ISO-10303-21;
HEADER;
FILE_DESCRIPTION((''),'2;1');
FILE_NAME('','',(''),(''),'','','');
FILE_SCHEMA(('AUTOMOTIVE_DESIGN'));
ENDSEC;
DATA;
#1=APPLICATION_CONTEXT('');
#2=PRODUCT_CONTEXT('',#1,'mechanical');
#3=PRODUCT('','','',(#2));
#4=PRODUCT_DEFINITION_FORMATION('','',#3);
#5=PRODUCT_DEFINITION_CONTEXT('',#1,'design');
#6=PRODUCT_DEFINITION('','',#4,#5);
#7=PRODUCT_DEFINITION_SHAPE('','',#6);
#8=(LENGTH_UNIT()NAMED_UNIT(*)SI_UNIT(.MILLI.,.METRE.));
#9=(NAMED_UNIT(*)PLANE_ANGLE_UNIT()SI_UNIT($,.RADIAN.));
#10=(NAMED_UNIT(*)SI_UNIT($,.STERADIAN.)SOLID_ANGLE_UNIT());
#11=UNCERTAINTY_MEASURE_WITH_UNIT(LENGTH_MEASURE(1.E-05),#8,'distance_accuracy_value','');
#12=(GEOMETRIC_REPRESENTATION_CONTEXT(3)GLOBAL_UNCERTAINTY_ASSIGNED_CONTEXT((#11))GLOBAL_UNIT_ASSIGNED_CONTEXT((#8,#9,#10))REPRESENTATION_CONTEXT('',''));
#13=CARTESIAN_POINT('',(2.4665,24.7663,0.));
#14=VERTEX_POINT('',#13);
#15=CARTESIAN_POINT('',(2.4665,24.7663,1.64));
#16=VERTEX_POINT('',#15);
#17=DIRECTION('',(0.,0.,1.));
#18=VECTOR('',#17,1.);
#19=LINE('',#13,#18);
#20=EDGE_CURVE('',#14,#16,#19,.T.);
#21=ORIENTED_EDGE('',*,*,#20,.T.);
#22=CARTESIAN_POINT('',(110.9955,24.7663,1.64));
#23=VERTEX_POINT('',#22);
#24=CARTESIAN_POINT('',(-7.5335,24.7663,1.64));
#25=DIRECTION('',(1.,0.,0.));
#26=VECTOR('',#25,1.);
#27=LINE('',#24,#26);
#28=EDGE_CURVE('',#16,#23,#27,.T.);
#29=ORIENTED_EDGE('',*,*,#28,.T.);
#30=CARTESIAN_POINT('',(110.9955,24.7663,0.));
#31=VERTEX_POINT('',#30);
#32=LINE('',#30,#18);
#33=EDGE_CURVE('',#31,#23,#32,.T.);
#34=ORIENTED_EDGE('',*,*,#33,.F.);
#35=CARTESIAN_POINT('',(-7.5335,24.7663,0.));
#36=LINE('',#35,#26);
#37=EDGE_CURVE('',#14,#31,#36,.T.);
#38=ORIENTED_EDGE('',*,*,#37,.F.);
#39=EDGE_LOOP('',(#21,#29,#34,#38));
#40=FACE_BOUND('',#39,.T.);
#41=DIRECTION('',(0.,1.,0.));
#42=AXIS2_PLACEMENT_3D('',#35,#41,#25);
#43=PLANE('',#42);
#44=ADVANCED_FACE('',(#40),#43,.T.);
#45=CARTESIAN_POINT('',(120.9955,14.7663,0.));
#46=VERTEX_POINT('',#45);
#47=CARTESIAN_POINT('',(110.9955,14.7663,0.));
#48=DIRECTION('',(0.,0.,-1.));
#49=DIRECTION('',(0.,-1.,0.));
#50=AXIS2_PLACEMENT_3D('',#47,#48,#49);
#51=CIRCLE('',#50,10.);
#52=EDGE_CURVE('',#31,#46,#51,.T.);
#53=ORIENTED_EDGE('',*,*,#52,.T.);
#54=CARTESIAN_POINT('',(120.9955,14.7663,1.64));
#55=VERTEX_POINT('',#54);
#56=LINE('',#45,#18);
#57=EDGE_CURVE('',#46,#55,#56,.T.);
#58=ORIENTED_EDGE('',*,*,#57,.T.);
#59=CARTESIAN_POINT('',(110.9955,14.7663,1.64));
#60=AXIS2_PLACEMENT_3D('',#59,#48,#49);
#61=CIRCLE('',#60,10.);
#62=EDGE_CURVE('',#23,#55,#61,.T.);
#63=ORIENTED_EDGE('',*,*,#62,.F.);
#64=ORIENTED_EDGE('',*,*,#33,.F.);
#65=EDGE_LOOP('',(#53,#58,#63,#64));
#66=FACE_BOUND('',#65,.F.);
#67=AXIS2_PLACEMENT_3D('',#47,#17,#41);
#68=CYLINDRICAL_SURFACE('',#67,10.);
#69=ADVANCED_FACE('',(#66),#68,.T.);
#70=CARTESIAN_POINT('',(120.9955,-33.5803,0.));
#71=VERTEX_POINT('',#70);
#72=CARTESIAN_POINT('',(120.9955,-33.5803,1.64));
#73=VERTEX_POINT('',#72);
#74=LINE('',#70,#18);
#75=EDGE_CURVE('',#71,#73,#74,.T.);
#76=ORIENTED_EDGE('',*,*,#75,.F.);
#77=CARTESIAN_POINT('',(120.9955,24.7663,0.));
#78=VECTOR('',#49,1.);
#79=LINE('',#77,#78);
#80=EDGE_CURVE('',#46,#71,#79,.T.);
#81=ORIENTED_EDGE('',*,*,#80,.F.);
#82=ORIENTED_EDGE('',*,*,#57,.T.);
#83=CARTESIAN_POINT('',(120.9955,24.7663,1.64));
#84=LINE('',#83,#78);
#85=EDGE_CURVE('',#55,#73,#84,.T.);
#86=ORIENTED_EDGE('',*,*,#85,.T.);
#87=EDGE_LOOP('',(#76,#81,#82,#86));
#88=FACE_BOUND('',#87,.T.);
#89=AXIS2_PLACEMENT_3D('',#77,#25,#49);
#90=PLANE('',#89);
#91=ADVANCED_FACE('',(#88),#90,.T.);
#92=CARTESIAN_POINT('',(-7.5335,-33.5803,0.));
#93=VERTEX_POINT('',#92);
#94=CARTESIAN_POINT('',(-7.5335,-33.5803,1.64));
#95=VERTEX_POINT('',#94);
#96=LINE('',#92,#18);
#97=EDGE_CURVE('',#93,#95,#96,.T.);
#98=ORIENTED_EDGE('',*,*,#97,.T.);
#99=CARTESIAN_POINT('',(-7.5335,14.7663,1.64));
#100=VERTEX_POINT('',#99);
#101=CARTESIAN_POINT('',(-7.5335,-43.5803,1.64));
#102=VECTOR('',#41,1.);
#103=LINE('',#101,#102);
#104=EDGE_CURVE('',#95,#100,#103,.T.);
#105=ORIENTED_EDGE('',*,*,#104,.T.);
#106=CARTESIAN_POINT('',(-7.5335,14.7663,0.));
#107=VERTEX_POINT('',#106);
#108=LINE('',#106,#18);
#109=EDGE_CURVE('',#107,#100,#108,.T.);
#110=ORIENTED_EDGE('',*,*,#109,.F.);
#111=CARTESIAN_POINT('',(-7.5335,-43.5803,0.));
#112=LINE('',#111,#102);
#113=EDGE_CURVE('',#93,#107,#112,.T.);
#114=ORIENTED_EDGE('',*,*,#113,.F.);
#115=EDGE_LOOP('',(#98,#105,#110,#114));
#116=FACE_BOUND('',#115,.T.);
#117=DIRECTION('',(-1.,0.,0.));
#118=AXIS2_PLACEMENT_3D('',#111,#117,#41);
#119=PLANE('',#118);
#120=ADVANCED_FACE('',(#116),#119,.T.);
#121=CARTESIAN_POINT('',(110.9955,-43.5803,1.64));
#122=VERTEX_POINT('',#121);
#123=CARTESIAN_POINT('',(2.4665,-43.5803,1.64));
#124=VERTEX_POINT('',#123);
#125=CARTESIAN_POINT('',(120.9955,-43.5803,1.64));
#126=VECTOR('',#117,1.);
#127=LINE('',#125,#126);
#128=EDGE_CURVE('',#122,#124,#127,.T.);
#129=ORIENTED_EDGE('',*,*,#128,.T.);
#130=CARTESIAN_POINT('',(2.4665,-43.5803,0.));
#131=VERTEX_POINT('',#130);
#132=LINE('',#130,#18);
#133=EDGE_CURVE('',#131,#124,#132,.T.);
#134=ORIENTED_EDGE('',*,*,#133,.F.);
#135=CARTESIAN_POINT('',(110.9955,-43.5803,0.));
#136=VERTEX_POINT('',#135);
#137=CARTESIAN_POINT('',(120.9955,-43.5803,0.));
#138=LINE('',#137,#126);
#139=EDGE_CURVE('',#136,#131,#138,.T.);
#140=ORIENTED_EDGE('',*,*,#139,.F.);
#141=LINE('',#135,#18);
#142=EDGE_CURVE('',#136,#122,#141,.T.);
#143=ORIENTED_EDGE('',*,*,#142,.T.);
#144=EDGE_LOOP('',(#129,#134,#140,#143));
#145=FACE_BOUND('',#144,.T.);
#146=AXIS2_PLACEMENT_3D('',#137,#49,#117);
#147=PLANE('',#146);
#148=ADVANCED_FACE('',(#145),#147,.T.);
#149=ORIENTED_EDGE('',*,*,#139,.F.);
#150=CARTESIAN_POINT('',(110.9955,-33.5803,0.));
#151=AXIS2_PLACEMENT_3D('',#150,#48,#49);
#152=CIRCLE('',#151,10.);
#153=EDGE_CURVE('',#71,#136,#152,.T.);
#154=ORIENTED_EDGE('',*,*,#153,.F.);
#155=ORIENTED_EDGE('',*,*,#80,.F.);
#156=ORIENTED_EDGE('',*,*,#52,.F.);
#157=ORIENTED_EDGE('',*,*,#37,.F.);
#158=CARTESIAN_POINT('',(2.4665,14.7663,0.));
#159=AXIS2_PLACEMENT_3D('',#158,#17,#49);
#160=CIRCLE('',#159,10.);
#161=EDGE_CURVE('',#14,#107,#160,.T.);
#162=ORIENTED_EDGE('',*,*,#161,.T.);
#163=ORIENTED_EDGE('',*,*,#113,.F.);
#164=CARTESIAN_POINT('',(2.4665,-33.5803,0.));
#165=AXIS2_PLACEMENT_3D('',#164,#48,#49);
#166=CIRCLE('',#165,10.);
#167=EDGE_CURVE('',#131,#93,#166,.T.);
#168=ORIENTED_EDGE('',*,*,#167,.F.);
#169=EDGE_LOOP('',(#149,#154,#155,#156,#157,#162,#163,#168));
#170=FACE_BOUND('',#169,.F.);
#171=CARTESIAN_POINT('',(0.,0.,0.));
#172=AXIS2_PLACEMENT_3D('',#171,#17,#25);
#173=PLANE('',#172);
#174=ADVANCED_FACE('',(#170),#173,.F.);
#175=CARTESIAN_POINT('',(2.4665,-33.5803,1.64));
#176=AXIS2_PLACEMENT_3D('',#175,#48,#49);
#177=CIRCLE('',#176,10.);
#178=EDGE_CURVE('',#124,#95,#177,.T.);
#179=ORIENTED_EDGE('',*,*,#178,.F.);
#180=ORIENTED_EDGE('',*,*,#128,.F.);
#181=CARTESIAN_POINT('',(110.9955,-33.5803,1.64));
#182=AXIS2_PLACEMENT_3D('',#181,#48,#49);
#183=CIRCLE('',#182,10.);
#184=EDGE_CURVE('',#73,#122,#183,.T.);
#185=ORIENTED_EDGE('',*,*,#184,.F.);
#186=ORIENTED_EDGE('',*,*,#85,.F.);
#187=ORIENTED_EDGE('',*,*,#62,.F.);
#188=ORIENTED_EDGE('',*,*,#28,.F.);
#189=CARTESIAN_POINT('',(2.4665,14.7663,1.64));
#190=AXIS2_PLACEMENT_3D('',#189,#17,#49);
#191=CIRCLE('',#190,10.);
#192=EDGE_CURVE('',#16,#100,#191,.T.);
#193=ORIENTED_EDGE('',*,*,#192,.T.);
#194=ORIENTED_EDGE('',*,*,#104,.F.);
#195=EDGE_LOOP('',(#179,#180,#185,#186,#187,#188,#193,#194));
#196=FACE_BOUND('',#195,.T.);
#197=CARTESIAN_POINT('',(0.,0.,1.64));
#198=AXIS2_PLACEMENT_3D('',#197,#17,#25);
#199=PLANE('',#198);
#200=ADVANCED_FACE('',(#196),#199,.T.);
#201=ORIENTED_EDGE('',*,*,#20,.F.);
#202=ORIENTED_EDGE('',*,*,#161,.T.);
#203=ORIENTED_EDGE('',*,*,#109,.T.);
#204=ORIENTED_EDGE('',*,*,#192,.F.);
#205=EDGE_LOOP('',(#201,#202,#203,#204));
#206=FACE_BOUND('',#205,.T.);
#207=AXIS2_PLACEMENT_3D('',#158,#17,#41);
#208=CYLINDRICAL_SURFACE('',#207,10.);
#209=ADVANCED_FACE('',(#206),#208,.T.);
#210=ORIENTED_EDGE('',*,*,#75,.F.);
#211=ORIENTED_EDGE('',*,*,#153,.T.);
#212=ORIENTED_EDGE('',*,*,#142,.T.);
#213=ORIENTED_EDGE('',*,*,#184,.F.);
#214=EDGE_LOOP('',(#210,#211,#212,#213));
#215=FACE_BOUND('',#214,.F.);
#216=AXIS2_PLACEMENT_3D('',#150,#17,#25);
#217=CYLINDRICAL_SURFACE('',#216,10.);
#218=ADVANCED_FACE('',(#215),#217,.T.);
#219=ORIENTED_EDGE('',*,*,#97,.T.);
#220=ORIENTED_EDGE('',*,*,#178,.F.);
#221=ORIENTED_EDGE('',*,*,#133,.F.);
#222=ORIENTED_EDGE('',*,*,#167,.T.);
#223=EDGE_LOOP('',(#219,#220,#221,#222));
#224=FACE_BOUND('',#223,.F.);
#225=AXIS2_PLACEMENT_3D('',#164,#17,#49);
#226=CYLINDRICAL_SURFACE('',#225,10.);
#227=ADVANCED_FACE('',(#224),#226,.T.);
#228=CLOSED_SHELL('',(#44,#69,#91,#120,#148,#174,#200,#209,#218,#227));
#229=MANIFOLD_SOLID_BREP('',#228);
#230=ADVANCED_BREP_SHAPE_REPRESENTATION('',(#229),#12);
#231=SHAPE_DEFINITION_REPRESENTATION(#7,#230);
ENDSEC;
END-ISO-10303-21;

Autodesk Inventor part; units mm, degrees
ref_plane "YZ Plane" through (0, 0, 0) normal (1, 0, 0) x (0, 1, 0)
ref_plane "XZ Plane" through (0, 0, 0) normal (0, 1, 0) x (-1, 0, 0)
ref_plane "XY Plane" through (0, 0, 0) normal (0, 0, 1) x (1, 0, 0)
sketch "Sketch1" plane through (0, 0, 0) normal (0, 0, 1) x (1, 0, 0)
  line L0 (-7.5335, 24.7663) -> (120.9955, 24.7663)
  line L1 (120.9955, 24.7663) -> (120.9955, -43.5803)
  line L2 (120.9955, -43.5803) -> (-7.5335, -43.5803)
  line L3 (-7.5335, -43.5803) -> (-7.5335, 24.7663)
  point P0 (0, 0)
extrude "Extrusion1" add sketch "Sketch1" along normal blind 1.64
fillet "Fillet1" radius 10 4 edges at (120.9955, 24.7663, 0.82) (120.9955, -43.5803, 0.82) (-7.5335, 24.7663, 0.82) (-7.5335, -43.5803, 0.82)
properties part number "perfboard"
